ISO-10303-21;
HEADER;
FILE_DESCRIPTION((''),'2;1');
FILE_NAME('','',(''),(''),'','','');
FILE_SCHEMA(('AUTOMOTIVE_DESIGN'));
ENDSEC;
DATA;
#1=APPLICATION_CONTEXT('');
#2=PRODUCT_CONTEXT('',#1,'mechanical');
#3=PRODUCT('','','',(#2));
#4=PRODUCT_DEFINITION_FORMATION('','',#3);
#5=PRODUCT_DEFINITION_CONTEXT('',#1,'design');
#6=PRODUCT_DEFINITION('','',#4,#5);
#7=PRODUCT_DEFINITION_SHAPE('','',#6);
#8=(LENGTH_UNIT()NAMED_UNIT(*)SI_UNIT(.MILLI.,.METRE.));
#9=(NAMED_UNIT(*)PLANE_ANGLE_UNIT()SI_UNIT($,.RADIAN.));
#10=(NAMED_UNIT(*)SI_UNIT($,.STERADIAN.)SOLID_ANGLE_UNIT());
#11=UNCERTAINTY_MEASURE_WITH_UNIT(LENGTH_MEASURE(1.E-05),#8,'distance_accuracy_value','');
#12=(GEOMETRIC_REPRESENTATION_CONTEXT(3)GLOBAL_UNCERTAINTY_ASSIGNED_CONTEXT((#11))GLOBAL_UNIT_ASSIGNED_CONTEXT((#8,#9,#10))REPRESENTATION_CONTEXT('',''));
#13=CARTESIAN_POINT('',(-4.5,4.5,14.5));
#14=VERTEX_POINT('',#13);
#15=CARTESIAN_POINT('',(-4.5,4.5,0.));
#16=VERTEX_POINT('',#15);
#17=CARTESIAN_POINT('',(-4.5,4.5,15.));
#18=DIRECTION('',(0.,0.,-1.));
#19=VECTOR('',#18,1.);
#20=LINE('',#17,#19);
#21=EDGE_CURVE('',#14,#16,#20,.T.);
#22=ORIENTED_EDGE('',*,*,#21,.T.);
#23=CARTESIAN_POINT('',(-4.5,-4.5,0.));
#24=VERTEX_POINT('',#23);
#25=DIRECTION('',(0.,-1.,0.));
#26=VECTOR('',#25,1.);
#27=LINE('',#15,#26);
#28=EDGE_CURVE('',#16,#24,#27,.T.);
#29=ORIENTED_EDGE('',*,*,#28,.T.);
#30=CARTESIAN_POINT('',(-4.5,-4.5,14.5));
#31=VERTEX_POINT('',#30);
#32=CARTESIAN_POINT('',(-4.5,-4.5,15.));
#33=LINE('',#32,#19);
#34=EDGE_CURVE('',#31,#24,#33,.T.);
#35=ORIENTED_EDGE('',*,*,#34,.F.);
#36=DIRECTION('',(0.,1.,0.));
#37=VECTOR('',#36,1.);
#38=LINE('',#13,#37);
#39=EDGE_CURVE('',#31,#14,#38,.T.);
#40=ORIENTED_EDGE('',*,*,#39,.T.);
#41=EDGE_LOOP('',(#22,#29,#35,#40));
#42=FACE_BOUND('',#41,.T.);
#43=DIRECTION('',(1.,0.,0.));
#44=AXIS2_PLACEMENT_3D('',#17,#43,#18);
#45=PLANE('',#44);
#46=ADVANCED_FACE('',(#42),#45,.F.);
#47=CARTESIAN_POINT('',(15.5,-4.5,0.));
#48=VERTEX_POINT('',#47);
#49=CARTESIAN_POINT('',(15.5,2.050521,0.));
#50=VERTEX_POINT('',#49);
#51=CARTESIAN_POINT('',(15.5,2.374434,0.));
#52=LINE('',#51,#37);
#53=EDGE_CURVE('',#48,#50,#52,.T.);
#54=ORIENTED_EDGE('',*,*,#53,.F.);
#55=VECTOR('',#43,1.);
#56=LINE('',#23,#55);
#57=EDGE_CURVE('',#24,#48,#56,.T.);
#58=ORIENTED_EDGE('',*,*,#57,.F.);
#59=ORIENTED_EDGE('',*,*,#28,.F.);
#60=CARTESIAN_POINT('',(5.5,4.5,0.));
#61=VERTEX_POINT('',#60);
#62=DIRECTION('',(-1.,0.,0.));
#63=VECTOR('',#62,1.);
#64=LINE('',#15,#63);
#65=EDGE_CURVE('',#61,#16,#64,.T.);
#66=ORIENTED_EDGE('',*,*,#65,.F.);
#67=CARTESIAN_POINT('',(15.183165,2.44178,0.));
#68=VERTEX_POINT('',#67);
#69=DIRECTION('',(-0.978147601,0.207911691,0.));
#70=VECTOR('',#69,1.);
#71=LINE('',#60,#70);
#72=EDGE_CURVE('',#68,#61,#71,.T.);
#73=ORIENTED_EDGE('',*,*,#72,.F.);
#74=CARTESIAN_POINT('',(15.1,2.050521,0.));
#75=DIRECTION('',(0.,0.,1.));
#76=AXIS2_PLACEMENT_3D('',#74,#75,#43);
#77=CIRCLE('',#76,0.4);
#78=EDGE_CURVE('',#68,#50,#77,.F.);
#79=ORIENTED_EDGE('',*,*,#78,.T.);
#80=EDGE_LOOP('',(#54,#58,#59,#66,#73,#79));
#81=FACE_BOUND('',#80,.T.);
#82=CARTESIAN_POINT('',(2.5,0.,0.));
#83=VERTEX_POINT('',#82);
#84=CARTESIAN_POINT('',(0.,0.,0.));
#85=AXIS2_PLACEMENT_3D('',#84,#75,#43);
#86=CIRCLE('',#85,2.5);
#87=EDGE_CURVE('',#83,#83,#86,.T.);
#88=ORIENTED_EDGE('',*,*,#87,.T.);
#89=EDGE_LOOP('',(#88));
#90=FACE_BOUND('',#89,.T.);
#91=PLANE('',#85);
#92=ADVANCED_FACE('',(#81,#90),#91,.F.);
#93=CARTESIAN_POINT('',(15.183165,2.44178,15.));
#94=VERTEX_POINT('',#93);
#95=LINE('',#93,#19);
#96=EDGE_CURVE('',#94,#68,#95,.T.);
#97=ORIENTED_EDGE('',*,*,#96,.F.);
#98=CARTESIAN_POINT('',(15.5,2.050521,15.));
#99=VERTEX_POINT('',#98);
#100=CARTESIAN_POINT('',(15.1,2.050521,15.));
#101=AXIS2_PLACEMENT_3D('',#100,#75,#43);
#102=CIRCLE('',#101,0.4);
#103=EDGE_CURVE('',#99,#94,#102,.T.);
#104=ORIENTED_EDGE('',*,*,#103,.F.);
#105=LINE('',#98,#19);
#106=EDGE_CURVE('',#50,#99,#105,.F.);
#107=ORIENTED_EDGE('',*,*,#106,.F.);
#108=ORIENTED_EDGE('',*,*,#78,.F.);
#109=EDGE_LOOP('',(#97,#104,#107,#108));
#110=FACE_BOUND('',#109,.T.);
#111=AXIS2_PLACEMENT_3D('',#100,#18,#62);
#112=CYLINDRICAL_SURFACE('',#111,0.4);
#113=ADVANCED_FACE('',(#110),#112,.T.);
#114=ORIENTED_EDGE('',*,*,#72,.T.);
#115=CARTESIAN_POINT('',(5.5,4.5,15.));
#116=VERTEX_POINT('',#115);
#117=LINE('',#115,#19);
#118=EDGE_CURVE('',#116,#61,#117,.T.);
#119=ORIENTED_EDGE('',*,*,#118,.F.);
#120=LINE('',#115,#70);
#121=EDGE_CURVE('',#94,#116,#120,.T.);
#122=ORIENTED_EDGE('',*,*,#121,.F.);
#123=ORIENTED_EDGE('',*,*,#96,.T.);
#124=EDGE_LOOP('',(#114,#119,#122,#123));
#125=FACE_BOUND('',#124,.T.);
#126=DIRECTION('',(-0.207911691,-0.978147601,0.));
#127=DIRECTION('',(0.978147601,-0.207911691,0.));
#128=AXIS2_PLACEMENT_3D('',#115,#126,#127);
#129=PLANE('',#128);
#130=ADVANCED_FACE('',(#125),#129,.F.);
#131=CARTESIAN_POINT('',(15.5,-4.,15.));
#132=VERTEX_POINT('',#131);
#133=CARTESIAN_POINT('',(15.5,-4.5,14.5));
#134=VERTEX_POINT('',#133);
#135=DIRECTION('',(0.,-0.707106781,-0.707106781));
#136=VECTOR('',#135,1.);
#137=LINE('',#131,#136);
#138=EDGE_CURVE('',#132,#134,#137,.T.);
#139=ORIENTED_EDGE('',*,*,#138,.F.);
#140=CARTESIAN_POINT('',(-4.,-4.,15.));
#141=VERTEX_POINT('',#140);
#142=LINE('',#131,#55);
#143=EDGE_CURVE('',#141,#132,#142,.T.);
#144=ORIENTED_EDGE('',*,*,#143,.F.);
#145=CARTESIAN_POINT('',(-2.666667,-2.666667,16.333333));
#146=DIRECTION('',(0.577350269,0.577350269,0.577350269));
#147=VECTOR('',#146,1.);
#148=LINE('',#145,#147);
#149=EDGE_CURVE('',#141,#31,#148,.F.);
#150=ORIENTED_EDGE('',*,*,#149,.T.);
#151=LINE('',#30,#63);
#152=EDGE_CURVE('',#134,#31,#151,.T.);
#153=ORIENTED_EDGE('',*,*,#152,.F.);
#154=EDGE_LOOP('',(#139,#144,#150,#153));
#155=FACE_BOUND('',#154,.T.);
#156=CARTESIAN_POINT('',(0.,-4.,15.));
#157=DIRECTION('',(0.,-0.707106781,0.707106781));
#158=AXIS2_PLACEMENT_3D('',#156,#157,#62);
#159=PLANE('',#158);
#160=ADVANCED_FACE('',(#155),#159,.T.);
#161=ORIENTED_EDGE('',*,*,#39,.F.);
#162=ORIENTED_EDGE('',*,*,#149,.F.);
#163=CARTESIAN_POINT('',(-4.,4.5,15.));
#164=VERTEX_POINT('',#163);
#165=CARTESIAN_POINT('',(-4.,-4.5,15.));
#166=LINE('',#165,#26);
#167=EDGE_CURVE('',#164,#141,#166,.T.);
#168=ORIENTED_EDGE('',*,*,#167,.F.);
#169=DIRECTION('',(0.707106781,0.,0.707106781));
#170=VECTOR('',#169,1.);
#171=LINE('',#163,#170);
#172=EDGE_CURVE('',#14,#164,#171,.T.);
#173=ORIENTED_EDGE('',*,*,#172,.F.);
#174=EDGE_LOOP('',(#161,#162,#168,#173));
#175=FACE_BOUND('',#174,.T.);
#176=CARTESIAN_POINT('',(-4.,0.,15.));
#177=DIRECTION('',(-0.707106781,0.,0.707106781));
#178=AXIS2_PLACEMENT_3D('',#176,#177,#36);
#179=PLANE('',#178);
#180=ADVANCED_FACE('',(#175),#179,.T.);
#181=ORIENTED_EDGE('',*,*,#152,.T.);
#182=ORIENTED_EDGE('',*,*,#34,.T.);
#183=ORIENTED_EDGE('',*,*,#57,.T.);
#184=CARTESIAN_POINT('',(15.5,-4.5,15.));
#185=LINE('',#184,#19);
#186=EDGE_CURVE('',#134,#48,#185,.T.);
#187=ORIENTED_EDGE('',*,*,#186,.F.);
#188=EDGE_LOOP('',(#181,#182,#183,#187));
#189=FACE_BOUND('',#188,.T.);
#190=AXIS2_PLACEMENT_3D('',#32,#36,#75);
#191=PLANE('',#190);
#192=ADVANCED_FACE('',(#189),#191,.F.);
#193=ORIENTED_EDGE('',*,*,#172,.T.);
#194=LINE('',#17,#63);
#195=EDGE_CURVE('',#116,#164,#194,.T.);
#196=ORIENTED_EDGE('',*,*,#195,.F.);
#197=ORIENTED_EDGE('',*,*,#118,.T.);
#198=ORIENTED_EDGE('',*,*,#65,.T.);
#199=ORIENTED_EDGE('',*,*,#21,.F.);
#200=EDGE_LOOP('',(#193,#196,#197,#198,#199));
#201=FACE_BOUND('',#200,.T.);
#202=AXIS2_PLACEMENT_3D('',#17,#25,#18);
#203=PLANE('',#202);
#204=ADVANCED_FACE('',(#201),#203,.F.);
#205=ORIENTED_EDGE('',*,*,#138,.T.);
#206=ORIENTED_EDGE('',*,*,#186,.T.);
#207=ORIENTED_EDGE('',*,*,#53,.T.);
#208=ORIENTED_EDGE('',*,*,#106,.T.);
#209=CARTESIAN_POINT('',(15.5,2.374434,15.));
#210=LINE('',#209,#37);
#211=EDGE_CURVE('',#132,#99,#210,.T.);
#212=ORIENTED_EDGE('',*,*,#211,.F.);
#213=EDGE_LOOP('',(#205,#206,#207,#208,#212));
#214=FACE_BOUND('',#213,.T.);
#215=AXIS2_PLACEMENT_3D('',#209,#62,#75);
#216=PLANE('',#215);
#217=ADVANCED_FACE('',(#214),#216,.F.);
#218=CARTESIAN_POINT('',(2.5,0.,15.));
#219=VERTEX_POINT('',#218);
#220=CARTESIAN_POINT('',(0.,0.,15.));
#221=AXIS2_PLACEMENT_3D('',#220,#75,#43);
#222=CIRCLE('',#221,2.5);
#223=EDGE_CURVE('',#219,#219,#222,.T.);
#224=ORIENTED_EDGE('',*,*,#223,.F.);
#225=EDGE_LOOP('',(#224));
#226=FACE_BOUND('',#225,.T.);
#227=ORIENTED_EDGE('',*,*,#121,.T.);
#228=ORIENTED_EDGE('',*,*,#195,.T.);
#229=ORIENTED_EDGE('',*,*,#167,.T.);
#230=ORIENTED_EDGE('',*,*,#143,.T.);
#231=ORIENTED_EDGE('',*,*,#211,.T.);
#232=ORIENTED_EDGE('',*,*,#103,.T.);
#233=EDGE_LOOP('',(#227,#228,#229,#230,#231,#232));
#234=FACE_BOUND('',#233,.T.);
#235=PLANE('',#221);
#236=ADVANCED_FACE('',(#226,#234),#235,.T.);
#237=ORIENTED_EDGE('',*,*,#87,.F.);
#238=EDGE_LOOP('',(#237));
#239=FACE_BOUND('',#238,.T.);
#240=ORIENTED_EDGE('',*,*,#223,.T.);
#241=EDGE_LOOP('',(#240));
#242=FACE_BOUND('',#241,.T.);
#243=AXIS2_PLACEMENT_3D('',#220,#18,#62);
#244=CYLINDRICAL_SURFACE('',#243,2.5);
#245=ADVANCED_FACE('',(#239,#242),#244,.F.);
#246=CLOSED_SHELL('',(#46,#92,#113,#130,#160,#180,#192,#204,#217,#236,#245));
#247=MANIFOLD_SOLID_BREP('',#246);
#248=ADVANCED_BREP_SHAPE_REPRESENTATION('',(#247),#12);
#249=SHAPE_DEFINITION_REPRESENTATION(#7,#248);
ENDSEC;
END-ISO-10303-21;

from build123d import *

# Parameters (mm, degrees)
SKETCH1_R           = 2.5
BOSS_EXTRUDE1_DEPTH = 15
FILLET1_R           = 0.4
CHAMFER2_SIZE       = 0.5


with BuildPart() as part:
    # Sketch1 → Boss-Extrude1 (new body)
    with BuildSketch(Plane.XY):
        Polygon((5.5, 4.5), (15.5, 2.374434383), (15.5, -4.5), (-4.5, -4.5), (-4.5, 4.5), align=None)
        Circle(SKETCH1_R, mode=Mode.SUBTRACT)
    extrude(amount=BOSS_EXTRUDE1_DEPTH)

    # Fillet1
    fillet1_edges = [part.edges().sort_by_distance(p)[0] for p in [
        (15.5, 2.374434383, 7.5),
    ]]
    fillet(fillet1_edges, radius=FILLET1_R)

    # Chamfer2
    chamfer2_edges = [part.edges().sort_by_distance(p)[0] for p in [
        (-4.5, 0, 15),
        (5.5, -4.5, 15),
    ]]
    chamfer(chamfer2_edges, length=CHAMFER2_SIZE)


solid = part.part
